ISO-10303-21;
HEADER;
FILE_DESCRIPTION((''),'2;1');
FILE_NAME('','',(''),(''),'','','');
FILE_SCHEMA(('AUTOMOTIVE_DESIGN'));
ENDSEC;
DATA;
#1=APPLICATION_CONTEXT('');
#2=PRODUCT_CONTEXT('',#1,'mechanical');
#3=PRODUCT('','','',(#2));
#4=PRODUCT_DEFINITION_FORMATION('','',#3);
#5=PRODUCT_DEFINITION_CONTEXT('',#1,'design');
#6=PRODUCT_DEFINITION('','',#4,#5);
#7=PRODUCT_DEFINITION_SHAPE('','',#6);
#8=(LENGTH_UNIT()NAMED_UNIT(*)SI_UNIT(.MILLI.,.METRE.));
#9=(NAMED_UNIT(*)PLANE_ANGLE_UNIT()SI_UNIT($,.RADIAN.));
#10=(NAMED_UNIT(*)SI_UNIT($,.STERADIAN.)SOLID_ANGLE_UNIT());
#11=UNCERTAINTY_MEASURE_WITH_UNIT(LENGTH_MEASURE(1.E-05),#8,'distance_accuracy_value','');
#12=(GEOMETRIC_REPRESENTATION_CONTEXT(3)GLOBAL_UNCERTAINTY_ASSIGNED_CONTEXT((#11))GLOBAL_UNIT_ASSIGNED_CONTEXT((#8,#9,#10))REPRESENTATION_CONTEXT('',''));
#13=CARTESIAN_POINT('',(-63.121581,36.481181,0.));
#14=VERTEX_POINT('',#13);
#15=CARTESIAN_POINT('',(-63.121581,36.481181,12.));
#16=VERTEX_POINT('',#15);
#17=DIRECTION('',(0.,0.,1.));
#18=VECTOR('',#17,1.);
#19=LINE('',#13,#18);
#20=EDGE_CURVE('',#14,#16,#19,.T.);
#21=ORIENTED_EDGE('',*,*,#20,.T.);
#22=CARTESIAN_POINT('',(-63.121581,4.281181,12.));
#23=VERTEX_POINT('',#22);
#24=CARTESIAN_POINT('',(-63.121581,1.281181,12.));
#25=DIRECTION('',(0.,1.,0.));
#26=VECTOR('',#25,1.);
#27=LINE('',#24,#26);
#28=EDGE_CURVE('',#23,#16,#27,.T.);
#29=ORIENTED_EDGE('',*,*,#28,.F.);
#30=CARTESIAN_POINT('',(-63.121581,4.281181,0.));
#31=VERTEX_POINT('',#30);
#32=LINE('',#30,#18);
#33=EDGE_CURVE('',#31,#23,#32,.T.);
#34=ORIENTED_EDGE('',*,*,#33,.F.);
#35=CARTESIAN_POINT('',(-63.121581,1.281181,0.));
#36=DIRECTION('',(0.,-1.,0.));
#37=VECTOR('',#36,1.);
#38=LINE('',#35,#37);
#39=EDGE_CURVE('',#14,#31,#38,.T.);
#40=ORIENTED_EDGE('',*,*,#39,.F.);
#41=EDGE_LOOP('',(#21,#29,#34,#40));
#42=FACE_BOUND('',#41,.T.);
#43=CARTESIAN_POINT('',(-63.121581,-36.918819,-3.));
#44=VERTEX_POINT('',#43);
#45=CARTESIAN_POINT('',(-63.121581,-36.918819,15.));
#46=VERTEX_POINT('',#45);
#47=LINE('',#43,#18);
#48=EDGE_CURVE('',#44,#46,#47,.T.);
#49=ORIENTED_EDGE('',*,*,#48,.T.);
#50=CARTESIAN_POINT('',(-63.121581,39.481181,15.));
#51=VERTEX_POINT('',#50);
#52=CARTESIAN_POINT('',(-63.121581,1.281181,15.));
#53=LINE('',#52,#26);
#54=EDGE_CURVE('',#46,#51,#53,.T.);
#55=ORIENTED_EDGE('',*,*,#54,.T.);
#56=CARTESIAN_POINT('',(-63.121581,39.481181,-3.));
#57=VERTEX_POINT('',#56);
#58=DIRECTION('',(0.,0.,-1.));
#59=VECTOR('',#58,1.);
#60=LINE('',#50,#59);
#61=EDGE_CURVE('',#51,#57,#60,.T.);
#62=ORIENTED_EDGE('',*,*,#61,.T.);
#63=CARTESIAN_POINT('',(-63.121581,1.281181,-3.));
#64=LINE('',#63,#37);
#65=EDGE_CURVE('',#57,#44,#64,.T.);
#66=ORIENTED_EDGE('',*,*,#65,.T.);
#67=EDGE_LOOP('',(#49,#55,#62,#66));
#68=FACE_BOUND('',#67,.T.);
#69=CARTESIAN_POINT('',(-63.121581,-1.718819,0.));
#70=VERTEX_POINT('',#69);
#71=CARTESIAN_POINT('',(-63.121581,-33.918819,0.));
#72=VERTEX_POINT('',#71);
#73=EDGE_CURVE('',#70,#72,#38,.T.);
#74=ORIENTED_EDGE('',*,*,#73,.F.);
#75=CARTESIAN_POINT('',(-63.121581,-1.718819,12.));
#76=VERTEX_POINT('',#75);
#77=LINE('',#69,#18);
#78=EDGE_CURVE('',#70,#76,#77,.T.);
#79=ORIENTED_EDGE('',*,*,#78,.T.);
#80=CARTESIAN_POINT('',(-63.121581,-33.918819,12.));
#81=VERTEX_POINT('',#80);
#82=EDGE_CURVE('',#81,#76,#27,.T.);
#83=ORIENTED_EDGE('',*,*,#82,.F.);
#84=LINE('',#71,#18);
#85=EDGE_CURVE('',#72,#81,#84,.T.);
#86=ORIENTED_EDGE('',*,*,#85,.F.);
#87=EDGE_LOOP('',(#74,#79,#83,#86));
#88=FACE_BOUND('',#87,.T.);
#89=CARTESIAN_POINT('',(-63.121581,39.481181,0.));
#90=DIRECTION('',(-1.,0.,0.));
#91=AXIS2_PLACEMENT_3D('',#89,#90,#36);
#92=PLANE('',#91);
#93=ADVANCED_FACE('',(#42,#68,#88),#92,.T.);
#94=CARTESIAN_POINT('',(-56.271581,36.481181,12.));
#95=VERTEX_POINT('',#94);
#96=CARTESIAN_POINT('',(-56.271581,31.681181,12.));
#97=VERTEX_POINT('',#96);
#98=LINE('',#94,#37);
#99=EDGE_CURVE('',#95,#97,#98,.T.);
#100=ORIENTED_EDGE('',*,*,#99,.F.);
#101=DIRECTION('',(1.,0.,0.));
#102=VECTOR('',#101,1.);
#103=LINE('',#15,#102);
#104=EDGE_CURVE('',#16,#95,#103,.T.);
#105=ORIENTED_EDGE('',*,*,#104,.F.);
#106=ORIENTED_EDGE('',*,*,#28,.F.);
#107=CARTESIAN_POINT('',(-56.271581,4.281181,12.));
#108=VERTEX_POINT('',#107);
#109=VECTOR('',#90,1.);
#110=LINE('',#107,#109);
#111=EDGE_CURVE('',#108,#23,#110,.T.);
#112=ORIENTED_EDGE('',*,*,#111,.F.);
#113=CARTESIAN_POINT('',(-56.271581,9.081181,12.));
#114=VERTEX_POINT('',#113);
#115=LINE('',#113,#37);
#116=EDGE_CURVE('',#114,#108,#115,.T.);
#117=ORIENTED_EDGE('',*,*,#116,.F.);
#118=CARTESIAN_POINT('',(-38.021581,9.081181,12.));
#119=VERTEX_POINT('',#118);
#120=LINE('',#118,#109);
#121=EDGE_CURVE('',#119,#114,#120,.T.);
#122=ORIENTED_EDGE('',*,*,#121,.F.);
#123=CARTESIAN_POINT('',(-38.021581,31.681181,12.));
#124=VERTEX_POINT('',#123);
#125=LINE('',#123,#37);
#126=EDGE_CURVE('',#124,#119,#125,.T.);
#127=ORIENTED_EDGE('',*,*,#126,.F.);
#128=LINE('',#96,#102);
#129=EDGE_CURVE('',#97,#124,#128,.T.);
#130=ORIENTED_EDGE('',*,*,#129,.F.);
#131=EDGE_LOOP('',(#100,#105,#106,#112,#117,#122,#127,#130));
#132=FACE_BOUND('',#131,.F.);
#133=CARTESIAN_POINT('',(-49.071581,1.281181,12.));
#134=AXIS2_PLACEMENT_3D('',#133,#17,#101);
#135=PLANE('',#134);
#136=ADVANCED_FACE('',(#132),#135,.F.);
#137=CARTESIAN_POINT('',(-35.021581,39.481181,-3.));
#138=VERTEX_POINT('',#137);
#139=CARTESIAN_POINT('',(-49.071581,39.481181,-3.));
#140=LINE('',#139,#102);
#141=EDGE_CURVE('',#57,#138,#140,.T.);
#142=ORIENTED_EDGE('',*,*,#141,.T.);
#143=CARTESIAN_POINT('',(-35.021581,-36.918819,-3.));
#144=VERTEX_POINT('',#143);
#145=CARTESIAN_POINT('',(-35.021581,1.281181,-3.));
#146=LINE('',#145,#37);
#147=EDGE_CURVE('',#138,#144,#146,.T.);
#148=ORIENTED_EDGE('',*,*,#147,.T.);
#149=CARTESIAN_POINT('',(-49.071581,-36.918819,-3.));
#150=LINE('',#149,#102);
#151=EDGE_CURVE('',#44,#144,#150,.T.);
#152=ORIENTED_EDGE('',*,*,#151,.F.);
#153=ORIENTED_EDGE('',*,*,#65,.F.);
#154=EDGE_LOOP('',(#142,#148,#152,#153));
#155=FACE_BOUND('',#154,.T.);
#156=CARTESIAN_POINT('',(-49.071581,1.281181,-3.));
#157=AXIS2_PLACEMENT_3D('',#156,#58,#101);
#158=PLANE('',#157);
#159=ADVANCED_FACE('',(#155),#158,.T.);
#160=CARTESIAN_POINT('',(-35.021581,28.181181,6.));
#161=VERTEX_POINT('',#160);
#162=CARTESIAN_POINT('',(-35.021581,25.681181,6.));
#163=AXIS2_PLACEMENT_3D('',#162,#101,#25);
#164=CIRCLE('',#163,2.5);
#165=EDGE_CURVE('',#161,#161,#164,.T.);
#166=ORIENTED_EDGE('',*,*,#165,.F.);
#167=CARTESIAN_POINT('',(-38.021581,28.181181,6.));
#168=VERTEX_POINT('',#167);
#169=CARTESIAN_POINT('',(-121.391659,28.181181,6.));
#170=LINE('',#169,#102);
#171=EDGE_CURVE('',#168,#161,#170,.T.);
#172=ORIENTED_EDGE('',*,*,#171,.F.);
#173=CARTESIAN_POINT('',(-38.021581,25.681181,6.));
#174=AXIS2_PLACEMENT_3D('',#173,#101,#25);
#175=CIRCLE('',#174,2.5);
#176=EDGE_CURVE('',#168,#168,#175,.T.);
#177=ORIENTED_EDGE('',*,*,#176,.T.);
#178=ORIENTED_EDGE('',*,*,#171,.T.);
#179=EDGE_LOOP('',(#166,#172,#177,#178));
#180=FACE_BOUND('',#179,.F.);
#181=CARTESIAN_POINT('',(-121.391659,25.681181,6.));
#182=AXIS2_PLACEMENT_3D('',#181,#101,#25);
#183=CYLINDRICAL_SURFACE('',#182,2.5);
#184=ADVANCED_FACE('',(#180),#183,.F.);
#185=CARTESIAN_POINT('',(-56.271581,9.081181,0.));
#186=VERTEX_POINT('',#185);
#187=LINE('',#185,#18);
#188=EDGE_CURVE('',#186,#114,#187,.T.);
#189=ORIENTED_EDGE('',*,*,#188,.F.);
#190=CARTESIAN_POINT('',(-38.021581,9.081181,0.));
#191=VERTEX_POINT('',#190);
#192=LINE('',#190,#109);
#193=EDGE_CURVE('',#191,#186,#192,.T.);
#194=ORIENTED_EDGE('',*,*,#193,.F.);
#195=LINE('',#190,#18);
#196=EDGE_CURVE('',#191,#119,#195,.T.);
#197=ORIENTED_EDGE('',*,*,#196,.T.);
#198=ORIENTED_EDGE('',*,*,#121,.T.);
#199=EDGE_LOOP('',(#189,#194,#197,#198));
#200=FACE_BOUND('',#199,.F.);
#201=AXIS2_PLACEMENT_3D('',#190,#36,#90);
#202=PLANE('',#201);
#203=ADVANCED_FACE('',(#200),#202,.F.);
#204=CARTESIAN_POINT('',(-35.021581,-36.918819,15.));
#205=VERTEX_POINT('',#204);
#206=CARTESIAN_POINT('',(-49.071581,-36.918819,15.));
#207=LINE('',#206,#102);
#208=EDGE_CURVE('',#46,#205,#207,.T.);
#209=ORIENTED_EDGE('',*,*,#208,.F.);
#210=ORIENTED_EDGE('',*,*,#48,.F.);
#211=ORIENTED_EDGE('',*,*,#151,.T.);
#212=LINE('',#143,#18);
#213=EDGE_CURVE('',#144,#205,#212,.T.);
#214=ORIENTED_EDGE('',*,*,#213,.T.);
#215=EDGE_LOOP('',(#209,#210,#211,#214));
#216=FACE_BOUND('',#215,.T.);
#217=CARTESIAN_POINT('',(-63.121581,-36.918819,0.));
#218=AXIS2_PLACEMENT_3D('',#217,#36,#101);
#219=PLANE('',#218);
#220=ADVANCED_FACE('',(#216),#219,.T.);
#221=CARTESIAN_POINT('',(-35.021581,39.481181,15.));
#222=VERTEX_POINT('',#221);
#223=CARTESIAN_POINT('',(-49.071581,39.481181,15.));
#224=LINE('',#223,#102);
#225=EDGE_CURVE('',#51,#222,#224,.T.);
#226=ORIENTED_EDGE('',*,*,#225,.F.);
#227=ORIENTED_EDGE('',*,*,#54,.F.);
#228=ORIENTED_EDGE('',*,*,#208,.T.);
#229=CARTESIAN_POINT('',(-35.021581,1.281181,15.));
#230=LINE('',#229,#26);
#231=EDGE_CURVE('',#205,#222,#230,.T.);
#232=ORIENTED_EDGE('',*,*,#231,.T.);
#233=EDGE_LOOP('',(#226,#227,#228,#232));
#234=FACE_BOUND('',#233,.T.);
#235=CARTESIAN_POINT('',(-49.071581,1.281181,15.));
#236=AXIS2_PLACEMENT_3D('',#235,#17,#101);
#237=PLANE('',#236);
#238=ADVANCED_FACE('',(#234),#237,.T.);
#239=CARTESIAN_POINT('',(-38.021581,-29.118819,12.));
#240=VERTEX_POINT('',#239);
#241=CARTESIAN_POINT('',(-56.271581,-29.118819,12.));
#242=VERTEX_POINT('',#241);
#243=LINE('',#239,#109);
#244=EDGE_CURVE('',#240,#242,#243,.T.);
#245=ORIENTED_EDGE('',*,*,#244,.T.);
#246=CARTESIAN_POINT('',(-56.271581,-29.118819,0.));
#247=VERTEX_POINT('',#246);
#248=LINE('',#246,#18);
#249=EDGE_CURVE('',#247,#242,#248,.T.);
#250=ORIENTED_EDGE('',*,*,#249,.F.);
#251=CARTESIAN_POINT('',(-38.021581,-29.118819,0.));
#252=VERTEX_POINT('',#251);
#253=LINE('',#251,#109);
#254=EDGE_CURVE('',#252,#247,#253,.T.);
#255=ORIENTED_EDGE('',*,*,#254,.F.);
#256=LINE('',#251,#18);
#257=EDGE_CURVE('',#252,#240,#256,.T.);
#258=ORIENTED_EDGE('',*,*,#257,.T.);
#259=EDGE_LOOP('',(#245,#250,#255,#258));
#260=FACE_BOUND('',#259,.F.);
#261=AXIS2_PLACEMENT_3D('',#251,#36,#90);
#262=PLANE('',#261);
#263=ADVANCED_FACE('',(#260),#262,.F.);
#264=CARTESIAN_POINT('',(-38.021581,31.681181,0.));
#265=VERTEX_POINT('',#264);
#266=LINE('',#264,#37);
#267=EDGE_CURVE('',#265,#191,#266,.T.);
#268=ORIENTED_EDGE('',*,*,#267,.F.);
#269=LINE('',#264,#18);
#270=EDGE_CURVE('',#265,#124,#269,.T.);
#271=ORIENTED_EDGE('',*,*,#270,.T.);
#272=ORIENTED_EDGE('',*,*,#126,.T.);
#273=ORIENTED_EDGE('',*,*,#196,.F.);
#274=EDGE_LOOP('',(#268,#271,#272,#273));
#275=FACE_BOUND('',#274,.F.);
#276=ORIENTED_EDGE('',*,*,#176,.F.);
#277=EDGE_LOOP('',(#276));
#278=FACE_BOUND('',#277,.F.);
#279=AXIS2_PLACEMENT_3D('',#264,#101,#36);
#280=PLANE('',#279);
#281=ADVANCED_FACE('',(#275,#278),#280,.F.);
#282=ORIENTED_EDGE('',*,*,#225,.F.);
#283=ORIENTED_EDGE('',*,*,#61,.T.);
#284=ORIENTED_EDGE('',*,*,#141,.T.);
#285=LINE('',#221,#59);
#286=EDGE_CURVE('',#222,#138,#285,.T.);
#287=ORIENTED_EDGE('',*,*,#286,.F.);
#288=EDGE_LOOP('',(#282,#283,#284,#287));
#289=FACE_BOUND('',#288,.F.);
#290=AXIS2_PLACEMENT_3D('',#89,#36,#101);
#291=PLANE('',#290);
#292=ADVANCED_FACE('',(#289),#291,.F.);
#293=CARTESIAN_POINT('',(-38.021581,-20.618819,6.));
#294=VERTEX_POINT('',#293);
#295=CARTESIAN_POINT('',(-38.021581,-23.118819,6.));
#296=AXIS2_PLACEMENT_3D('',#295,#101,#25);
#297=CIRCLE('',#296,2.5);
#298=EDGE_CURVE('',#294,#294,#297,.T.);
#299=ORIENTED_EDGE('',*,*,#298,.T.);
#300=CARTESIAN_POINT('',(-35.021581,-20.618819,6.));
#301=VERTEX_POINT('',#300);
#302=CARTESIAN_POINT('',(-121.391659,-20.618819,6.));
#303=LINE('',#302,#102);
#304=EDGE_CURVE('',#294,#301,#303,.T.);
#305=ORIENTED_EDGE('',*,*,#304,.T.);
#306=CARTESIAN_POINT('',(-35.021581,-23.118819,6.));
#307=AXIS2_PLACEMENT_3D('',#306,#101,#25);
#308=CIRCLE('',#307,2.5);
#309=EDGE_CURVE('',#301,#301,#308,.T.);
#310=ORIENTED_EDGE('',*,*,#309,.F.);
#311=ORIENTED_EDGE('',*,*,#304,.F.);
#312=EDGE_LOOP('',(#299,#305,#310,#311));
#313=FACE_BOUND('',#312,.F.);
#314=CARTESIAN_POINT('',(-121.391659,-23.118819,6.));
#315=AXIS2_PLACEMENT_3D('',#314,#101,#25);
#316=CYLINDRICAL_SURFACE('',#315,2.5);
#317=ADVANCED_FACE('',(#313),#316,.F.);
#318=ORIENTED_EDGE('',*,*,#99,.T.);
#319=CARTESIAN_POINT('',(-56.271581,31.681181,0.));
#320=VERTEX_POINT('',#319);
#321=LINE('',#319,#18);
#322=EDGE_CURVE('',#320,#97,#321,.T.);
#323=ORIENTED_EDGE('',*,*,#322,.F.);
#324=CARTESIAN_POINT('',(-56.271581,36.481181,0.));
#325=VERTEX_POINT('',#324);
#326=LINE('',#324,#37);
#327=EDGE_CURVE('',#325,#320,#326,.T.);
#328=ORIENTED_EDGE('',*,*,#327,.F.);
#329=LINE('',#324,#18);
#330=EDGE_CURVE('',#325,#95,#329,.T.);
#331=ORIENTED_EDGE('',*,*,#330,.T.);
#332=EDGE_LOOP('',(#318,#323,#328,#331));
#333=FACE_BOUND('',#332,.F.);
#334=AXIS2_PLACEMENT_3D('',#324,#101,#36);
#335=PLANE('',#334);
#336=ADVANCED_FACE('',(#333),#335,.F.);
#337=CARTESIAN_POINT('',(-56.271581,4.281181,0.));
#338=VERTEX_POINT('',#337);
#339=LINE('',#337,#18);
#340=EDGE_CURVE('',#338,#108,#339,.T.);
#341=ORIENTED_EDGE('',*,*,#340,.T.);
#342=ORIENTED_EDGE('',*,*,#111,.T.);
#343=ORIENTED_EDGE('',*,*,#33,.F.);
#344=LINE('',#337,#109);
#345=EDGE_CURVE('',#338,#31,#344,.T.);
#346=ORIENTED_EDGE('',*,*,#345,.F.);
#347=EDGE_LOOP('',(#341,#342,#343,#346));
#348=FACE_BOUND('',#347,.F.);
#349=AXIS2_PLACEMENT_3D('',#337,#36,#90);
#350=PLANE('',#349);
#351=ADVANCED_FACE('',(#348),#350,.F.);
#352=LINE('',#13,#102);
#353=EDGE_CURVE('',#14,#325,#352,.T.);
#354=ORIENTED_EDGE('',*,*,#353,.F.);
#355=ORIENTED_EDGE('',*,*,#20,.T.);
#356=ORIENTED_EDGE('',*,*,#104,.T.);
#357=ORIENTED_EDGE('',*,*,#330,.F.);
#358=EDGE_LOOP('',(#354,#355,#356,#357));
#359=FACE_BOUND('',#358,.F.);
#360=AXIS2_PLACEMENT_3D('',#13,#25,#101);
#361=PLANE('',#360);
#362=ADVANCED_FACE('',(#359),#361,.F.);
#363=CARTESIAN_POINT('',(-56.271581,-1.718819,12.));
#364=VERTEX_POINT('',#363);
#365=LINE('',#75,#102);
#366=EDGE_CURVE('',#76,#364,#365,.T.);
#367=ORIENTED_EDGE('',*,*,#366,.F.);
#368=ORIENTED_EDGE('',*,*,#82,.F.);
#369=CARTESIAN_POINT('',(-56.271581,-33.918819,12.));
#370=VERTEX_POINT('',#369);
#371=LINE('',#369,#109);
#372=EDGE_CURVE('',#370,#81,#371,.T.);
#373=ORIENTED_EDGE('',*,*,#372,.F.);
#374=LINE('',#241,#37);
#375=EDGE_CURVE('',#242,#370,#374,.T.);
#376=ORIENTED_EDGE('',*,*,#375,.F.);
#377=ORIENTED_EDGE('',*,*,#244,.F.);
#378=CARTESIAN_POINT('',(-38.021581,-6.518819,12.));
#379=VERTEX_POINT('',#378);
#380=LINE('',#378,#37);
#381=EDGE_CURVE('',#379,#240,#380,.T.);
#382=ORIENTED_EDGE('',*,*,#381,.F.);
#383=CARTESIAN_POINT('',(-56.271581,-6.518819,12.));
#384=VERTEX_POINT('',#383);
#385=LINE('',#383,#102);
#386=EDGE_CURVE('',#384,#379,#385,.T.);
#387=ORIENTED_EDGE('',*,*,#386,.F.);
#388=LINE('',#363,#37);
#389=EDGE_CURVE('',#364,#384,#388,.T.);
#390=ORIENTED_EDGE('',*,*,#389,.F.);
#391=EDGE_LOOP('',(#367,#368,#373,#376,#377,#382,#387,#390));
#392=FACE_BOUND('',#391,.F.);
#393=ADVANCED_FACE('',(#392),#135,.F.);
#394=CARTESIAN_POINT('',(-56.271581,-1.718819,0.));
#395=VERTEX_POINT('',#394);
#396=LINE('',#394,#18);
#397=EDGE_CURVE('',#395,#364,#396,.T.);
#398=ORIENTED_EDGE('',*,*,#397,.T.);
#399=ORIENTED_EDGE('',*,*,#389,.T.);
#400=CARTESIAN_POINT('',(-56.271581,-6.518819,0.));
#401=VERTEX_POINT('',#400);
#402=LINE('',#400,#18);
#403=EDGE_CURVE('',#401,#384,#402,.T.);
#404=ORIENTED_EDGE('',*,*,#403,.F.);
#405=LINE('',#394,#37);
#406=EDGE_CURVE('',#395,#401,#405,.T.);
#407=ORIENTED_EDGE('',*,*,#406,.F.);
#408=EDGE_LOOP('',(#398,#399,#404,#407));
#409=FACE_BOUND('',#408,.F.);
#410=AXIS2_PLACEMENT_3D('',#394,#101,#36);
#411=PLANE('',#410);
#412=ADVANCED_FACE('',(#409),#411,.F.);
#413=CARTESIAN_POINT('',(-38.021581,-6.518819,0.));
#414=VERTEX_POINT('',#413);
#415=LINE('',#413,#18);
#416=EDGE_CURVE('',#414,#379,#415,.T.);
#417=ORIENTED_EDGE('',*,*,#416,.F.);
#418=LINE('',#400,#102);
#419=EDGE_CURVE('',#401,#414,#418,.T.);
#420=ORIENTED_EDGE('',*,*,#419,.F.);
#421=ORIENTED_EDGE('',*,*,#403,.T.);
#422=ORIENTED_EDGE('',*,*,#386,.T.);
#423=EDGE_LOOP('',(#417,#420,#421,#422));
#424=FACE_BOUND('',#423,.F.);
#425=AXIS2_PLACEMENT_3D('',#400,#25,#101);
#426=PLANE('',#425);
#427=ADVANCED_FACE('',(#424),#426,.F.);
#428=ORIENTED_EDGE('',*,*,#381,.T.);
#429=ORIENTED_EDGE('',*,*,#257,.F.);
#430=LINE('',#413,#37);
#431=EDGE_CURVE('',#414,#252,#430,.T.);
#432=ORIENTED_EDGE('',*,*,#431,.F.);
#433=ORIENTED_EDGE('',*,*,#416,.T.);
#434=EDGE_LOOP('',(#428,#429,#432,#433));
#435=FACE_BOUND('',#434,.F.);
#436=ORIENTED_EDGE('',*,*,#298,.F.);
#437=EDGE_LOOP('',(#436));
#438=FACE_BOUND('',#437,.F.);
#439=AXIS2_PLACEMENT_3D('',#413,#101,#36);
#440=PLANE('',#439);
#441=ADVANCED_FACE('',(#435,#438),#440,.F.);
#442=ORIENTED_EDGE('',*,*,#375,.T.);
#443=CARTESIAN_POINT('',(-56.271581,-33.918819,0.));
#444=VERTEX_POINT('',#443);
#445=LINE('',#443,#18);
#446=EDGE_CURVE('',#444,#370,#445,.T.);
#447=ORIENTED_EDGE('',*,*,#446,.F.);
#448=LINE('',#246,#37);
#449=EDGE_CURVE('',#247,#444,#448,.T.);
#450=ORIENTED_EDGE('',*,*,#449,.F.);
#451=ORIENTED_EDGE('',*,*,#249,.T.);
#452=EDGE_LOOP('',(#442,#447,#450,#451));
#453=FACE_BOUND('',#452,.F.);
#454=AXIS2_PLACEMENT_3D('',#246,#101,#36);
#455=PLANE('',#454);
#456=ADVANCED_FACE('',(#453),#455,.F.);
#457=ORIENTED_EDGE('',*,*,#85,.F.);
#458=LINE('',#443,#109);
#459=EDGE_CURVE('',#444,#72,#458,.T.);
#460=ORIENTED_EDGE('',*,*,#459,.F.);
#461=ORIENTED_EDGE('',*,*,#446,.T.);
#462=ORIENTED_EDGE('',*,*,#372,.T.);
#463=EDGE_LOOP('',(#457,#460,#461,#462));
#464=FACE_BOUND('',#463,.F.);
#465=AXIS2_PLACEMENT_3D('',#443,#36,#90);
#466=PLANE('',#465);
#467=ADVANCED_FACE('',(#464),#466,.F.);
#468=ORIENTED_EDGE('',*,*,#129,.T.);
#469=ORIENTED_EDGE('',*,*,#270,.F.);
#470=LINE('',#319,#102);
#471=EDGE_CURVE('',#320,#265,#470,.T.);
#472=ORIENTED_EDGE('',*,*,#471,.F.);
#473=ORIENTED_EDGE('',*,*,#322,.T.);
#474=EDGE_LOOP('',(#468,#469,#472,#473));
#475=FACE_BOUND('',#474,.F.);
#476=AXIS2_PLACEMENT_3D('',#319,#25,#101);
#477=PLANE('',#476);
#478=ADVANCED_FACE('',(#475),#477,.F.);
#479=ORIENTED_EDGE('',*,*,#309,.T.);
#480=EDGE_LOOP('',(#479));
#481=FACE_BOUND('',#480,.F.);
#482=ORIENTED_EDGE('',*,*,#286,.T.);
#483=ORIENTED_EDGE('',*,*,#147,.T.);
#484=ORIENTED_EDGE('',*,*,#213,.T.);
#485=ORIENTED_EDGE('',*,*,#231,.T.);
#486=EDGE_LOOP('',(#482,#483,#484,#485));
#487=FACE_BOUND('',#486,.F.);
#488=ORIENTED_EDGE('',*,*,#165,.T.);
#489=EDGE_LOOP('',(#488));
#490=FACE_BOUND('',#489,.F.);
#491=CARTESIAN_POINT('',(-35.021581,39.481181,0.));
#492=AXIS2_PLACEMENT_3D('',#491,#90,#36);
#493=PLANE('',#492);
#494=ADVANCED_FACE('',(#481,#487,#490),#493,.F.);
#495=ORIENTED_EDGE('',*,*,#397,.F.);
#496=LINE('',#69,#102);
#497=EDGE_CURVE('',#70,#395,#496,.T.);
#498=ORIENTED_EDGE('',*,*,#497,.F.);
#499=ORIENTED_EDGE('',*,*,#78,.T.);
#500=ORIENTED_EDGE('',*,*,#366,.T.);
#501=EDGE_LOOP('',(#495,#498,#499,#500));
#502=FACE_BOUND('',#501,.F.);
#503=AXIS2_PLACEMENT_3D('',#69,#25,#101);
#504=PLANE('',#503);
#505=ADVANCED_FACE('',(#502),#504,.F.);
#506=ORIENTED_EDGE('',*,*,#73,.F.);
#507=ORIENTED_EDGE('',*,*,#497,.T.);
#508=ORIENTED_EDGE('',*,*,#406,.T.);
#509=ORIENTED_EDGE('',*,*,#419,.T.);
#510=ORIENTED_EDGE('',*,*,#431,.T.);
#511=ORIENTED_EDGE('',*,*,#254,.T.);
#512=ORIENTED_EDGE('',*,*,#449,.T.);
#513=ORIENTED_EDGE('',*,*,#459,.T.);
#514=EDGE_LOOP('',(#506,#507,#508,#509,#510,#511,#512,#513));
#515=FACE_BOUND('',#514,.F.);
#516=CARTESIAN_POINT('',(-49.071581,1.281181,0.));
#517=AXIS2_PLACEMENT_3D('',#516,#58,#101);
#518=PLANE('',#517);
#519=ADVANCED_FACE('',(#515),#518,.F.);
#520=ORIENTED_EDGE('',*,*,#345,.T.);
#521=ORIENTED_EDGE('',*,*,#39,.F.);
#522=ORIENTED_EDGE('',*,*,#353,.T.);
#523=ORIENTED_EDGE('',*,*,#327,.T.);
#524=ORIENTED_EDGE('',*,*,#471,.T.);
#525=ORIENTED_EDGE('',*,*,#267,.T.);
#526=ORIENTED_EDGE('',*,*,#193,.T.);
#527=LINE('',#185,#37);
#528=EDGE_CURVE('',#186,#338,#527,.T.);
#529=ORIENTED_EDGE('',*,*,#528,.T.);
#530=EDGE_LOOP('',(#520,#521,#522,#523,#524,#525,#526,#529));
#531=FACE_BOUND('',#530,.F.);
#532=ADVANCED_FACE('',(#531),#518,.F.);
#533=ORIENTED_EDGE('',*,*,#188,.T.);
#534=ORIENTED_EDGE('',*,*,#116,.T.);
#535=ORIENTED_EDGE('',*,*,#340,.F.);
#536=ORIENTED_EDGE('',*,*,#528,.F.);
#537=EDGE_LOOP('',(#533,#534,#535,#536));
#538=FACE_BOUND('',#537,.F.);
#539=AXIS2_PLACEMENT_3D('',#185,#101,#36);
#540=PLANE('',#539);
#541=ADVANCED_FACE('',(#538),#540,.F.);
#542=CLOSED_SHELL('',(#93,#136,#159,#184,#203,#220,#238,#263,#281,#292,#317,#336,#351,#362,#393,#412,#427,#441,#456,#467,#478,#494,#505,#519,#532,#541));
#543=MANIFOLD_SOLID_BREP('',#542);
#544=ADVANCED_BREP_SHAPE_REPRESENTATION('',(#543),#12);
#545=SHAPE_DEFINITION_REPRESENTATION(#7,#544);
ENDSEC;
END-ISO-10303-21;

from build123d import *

# Parameters (mm, degrees)
F2_DEPTH = 12
F3_W     = 28.1
F3_H     = 76.4
F7_DEPTH = 3
F4_W     = 28.1
F4_H     = 76.4
F8_DEPTH = 3
F9_D     = 5
F10_D    = 5


with BuildPart() as f2:
    # F1 (on Top) → F2 (new body)
    with BuildSketch(Plane.XY):
        Polygon((-35.0215807557, 39.4811810493), (-63.1215807557, 39.4811810493), (-63.1215807557, 36.4811810493), (-56.2715807557, 36.4811810493), (-56.2715807557, 31.6811810493), (-38.0215807557, 31.6811810493), (-38.0215807557, 9.0811810493), (-56.2715807557, 9.0811810493), (-56.2715807557, 4.2811810493), (-63.1215807557, 4.2811810493), (-63.1215807557, -1.7188189507), (-56.2715807557, -1.7188189507), (-56.2715807557, -6.5188189507), (-38.0215807557, -6.5188189507), (-38.0215807557, -29.1188189507), (-56.2715807557, -29.1188189507), (-56.2715807557, -33.9188189507), (-63.1215807557, -33.9188189507), (-63.1215807557, -36.9188189507), (-35.0215807557, -36.9188189507), align=None)
    extrude(amount=F2_DEPTH)

    # F3 (on face) → F7 (join)
    with BuildSketch(Plane.XY.offset(12)):
        with Locations((-49.0715807557, 1.2811810493)):
            Rectangle(F3_W, F3_H)
    extrude(amount=F7_DEPTH)

    # F4 (on face) → F8 (join)
    with BuildSketch(Plane(origin=(0, 0, 0), x_dir=(1, 0, 0), z_dir=(0, 0, -1))):
        with Locations((-49.0715807557, -1.2811810493)):
            Rectangle(F4_W, F4_H)
    extrude(amount=F8_DEPTH)

    # F9 (through all)
    with Locations(Plane(origin=(-38.0215807557, 0, 0), x_dir=(0, -1, 0), z_dir=(-1, 0, 0))):
        with Locations((-25.6811810493, 6)):
            Hole(F9_D / 2)

    # F10 (through all)
    with Locations(Plane(origin=(-38.0215807557, 0, 0), x_dir=(0, -1, 0), z_dir=(-1, 0, 0))):
        with Locations((23.1188189507, 6)):
            Hole(F10_D / 2)


solid = f2.part
